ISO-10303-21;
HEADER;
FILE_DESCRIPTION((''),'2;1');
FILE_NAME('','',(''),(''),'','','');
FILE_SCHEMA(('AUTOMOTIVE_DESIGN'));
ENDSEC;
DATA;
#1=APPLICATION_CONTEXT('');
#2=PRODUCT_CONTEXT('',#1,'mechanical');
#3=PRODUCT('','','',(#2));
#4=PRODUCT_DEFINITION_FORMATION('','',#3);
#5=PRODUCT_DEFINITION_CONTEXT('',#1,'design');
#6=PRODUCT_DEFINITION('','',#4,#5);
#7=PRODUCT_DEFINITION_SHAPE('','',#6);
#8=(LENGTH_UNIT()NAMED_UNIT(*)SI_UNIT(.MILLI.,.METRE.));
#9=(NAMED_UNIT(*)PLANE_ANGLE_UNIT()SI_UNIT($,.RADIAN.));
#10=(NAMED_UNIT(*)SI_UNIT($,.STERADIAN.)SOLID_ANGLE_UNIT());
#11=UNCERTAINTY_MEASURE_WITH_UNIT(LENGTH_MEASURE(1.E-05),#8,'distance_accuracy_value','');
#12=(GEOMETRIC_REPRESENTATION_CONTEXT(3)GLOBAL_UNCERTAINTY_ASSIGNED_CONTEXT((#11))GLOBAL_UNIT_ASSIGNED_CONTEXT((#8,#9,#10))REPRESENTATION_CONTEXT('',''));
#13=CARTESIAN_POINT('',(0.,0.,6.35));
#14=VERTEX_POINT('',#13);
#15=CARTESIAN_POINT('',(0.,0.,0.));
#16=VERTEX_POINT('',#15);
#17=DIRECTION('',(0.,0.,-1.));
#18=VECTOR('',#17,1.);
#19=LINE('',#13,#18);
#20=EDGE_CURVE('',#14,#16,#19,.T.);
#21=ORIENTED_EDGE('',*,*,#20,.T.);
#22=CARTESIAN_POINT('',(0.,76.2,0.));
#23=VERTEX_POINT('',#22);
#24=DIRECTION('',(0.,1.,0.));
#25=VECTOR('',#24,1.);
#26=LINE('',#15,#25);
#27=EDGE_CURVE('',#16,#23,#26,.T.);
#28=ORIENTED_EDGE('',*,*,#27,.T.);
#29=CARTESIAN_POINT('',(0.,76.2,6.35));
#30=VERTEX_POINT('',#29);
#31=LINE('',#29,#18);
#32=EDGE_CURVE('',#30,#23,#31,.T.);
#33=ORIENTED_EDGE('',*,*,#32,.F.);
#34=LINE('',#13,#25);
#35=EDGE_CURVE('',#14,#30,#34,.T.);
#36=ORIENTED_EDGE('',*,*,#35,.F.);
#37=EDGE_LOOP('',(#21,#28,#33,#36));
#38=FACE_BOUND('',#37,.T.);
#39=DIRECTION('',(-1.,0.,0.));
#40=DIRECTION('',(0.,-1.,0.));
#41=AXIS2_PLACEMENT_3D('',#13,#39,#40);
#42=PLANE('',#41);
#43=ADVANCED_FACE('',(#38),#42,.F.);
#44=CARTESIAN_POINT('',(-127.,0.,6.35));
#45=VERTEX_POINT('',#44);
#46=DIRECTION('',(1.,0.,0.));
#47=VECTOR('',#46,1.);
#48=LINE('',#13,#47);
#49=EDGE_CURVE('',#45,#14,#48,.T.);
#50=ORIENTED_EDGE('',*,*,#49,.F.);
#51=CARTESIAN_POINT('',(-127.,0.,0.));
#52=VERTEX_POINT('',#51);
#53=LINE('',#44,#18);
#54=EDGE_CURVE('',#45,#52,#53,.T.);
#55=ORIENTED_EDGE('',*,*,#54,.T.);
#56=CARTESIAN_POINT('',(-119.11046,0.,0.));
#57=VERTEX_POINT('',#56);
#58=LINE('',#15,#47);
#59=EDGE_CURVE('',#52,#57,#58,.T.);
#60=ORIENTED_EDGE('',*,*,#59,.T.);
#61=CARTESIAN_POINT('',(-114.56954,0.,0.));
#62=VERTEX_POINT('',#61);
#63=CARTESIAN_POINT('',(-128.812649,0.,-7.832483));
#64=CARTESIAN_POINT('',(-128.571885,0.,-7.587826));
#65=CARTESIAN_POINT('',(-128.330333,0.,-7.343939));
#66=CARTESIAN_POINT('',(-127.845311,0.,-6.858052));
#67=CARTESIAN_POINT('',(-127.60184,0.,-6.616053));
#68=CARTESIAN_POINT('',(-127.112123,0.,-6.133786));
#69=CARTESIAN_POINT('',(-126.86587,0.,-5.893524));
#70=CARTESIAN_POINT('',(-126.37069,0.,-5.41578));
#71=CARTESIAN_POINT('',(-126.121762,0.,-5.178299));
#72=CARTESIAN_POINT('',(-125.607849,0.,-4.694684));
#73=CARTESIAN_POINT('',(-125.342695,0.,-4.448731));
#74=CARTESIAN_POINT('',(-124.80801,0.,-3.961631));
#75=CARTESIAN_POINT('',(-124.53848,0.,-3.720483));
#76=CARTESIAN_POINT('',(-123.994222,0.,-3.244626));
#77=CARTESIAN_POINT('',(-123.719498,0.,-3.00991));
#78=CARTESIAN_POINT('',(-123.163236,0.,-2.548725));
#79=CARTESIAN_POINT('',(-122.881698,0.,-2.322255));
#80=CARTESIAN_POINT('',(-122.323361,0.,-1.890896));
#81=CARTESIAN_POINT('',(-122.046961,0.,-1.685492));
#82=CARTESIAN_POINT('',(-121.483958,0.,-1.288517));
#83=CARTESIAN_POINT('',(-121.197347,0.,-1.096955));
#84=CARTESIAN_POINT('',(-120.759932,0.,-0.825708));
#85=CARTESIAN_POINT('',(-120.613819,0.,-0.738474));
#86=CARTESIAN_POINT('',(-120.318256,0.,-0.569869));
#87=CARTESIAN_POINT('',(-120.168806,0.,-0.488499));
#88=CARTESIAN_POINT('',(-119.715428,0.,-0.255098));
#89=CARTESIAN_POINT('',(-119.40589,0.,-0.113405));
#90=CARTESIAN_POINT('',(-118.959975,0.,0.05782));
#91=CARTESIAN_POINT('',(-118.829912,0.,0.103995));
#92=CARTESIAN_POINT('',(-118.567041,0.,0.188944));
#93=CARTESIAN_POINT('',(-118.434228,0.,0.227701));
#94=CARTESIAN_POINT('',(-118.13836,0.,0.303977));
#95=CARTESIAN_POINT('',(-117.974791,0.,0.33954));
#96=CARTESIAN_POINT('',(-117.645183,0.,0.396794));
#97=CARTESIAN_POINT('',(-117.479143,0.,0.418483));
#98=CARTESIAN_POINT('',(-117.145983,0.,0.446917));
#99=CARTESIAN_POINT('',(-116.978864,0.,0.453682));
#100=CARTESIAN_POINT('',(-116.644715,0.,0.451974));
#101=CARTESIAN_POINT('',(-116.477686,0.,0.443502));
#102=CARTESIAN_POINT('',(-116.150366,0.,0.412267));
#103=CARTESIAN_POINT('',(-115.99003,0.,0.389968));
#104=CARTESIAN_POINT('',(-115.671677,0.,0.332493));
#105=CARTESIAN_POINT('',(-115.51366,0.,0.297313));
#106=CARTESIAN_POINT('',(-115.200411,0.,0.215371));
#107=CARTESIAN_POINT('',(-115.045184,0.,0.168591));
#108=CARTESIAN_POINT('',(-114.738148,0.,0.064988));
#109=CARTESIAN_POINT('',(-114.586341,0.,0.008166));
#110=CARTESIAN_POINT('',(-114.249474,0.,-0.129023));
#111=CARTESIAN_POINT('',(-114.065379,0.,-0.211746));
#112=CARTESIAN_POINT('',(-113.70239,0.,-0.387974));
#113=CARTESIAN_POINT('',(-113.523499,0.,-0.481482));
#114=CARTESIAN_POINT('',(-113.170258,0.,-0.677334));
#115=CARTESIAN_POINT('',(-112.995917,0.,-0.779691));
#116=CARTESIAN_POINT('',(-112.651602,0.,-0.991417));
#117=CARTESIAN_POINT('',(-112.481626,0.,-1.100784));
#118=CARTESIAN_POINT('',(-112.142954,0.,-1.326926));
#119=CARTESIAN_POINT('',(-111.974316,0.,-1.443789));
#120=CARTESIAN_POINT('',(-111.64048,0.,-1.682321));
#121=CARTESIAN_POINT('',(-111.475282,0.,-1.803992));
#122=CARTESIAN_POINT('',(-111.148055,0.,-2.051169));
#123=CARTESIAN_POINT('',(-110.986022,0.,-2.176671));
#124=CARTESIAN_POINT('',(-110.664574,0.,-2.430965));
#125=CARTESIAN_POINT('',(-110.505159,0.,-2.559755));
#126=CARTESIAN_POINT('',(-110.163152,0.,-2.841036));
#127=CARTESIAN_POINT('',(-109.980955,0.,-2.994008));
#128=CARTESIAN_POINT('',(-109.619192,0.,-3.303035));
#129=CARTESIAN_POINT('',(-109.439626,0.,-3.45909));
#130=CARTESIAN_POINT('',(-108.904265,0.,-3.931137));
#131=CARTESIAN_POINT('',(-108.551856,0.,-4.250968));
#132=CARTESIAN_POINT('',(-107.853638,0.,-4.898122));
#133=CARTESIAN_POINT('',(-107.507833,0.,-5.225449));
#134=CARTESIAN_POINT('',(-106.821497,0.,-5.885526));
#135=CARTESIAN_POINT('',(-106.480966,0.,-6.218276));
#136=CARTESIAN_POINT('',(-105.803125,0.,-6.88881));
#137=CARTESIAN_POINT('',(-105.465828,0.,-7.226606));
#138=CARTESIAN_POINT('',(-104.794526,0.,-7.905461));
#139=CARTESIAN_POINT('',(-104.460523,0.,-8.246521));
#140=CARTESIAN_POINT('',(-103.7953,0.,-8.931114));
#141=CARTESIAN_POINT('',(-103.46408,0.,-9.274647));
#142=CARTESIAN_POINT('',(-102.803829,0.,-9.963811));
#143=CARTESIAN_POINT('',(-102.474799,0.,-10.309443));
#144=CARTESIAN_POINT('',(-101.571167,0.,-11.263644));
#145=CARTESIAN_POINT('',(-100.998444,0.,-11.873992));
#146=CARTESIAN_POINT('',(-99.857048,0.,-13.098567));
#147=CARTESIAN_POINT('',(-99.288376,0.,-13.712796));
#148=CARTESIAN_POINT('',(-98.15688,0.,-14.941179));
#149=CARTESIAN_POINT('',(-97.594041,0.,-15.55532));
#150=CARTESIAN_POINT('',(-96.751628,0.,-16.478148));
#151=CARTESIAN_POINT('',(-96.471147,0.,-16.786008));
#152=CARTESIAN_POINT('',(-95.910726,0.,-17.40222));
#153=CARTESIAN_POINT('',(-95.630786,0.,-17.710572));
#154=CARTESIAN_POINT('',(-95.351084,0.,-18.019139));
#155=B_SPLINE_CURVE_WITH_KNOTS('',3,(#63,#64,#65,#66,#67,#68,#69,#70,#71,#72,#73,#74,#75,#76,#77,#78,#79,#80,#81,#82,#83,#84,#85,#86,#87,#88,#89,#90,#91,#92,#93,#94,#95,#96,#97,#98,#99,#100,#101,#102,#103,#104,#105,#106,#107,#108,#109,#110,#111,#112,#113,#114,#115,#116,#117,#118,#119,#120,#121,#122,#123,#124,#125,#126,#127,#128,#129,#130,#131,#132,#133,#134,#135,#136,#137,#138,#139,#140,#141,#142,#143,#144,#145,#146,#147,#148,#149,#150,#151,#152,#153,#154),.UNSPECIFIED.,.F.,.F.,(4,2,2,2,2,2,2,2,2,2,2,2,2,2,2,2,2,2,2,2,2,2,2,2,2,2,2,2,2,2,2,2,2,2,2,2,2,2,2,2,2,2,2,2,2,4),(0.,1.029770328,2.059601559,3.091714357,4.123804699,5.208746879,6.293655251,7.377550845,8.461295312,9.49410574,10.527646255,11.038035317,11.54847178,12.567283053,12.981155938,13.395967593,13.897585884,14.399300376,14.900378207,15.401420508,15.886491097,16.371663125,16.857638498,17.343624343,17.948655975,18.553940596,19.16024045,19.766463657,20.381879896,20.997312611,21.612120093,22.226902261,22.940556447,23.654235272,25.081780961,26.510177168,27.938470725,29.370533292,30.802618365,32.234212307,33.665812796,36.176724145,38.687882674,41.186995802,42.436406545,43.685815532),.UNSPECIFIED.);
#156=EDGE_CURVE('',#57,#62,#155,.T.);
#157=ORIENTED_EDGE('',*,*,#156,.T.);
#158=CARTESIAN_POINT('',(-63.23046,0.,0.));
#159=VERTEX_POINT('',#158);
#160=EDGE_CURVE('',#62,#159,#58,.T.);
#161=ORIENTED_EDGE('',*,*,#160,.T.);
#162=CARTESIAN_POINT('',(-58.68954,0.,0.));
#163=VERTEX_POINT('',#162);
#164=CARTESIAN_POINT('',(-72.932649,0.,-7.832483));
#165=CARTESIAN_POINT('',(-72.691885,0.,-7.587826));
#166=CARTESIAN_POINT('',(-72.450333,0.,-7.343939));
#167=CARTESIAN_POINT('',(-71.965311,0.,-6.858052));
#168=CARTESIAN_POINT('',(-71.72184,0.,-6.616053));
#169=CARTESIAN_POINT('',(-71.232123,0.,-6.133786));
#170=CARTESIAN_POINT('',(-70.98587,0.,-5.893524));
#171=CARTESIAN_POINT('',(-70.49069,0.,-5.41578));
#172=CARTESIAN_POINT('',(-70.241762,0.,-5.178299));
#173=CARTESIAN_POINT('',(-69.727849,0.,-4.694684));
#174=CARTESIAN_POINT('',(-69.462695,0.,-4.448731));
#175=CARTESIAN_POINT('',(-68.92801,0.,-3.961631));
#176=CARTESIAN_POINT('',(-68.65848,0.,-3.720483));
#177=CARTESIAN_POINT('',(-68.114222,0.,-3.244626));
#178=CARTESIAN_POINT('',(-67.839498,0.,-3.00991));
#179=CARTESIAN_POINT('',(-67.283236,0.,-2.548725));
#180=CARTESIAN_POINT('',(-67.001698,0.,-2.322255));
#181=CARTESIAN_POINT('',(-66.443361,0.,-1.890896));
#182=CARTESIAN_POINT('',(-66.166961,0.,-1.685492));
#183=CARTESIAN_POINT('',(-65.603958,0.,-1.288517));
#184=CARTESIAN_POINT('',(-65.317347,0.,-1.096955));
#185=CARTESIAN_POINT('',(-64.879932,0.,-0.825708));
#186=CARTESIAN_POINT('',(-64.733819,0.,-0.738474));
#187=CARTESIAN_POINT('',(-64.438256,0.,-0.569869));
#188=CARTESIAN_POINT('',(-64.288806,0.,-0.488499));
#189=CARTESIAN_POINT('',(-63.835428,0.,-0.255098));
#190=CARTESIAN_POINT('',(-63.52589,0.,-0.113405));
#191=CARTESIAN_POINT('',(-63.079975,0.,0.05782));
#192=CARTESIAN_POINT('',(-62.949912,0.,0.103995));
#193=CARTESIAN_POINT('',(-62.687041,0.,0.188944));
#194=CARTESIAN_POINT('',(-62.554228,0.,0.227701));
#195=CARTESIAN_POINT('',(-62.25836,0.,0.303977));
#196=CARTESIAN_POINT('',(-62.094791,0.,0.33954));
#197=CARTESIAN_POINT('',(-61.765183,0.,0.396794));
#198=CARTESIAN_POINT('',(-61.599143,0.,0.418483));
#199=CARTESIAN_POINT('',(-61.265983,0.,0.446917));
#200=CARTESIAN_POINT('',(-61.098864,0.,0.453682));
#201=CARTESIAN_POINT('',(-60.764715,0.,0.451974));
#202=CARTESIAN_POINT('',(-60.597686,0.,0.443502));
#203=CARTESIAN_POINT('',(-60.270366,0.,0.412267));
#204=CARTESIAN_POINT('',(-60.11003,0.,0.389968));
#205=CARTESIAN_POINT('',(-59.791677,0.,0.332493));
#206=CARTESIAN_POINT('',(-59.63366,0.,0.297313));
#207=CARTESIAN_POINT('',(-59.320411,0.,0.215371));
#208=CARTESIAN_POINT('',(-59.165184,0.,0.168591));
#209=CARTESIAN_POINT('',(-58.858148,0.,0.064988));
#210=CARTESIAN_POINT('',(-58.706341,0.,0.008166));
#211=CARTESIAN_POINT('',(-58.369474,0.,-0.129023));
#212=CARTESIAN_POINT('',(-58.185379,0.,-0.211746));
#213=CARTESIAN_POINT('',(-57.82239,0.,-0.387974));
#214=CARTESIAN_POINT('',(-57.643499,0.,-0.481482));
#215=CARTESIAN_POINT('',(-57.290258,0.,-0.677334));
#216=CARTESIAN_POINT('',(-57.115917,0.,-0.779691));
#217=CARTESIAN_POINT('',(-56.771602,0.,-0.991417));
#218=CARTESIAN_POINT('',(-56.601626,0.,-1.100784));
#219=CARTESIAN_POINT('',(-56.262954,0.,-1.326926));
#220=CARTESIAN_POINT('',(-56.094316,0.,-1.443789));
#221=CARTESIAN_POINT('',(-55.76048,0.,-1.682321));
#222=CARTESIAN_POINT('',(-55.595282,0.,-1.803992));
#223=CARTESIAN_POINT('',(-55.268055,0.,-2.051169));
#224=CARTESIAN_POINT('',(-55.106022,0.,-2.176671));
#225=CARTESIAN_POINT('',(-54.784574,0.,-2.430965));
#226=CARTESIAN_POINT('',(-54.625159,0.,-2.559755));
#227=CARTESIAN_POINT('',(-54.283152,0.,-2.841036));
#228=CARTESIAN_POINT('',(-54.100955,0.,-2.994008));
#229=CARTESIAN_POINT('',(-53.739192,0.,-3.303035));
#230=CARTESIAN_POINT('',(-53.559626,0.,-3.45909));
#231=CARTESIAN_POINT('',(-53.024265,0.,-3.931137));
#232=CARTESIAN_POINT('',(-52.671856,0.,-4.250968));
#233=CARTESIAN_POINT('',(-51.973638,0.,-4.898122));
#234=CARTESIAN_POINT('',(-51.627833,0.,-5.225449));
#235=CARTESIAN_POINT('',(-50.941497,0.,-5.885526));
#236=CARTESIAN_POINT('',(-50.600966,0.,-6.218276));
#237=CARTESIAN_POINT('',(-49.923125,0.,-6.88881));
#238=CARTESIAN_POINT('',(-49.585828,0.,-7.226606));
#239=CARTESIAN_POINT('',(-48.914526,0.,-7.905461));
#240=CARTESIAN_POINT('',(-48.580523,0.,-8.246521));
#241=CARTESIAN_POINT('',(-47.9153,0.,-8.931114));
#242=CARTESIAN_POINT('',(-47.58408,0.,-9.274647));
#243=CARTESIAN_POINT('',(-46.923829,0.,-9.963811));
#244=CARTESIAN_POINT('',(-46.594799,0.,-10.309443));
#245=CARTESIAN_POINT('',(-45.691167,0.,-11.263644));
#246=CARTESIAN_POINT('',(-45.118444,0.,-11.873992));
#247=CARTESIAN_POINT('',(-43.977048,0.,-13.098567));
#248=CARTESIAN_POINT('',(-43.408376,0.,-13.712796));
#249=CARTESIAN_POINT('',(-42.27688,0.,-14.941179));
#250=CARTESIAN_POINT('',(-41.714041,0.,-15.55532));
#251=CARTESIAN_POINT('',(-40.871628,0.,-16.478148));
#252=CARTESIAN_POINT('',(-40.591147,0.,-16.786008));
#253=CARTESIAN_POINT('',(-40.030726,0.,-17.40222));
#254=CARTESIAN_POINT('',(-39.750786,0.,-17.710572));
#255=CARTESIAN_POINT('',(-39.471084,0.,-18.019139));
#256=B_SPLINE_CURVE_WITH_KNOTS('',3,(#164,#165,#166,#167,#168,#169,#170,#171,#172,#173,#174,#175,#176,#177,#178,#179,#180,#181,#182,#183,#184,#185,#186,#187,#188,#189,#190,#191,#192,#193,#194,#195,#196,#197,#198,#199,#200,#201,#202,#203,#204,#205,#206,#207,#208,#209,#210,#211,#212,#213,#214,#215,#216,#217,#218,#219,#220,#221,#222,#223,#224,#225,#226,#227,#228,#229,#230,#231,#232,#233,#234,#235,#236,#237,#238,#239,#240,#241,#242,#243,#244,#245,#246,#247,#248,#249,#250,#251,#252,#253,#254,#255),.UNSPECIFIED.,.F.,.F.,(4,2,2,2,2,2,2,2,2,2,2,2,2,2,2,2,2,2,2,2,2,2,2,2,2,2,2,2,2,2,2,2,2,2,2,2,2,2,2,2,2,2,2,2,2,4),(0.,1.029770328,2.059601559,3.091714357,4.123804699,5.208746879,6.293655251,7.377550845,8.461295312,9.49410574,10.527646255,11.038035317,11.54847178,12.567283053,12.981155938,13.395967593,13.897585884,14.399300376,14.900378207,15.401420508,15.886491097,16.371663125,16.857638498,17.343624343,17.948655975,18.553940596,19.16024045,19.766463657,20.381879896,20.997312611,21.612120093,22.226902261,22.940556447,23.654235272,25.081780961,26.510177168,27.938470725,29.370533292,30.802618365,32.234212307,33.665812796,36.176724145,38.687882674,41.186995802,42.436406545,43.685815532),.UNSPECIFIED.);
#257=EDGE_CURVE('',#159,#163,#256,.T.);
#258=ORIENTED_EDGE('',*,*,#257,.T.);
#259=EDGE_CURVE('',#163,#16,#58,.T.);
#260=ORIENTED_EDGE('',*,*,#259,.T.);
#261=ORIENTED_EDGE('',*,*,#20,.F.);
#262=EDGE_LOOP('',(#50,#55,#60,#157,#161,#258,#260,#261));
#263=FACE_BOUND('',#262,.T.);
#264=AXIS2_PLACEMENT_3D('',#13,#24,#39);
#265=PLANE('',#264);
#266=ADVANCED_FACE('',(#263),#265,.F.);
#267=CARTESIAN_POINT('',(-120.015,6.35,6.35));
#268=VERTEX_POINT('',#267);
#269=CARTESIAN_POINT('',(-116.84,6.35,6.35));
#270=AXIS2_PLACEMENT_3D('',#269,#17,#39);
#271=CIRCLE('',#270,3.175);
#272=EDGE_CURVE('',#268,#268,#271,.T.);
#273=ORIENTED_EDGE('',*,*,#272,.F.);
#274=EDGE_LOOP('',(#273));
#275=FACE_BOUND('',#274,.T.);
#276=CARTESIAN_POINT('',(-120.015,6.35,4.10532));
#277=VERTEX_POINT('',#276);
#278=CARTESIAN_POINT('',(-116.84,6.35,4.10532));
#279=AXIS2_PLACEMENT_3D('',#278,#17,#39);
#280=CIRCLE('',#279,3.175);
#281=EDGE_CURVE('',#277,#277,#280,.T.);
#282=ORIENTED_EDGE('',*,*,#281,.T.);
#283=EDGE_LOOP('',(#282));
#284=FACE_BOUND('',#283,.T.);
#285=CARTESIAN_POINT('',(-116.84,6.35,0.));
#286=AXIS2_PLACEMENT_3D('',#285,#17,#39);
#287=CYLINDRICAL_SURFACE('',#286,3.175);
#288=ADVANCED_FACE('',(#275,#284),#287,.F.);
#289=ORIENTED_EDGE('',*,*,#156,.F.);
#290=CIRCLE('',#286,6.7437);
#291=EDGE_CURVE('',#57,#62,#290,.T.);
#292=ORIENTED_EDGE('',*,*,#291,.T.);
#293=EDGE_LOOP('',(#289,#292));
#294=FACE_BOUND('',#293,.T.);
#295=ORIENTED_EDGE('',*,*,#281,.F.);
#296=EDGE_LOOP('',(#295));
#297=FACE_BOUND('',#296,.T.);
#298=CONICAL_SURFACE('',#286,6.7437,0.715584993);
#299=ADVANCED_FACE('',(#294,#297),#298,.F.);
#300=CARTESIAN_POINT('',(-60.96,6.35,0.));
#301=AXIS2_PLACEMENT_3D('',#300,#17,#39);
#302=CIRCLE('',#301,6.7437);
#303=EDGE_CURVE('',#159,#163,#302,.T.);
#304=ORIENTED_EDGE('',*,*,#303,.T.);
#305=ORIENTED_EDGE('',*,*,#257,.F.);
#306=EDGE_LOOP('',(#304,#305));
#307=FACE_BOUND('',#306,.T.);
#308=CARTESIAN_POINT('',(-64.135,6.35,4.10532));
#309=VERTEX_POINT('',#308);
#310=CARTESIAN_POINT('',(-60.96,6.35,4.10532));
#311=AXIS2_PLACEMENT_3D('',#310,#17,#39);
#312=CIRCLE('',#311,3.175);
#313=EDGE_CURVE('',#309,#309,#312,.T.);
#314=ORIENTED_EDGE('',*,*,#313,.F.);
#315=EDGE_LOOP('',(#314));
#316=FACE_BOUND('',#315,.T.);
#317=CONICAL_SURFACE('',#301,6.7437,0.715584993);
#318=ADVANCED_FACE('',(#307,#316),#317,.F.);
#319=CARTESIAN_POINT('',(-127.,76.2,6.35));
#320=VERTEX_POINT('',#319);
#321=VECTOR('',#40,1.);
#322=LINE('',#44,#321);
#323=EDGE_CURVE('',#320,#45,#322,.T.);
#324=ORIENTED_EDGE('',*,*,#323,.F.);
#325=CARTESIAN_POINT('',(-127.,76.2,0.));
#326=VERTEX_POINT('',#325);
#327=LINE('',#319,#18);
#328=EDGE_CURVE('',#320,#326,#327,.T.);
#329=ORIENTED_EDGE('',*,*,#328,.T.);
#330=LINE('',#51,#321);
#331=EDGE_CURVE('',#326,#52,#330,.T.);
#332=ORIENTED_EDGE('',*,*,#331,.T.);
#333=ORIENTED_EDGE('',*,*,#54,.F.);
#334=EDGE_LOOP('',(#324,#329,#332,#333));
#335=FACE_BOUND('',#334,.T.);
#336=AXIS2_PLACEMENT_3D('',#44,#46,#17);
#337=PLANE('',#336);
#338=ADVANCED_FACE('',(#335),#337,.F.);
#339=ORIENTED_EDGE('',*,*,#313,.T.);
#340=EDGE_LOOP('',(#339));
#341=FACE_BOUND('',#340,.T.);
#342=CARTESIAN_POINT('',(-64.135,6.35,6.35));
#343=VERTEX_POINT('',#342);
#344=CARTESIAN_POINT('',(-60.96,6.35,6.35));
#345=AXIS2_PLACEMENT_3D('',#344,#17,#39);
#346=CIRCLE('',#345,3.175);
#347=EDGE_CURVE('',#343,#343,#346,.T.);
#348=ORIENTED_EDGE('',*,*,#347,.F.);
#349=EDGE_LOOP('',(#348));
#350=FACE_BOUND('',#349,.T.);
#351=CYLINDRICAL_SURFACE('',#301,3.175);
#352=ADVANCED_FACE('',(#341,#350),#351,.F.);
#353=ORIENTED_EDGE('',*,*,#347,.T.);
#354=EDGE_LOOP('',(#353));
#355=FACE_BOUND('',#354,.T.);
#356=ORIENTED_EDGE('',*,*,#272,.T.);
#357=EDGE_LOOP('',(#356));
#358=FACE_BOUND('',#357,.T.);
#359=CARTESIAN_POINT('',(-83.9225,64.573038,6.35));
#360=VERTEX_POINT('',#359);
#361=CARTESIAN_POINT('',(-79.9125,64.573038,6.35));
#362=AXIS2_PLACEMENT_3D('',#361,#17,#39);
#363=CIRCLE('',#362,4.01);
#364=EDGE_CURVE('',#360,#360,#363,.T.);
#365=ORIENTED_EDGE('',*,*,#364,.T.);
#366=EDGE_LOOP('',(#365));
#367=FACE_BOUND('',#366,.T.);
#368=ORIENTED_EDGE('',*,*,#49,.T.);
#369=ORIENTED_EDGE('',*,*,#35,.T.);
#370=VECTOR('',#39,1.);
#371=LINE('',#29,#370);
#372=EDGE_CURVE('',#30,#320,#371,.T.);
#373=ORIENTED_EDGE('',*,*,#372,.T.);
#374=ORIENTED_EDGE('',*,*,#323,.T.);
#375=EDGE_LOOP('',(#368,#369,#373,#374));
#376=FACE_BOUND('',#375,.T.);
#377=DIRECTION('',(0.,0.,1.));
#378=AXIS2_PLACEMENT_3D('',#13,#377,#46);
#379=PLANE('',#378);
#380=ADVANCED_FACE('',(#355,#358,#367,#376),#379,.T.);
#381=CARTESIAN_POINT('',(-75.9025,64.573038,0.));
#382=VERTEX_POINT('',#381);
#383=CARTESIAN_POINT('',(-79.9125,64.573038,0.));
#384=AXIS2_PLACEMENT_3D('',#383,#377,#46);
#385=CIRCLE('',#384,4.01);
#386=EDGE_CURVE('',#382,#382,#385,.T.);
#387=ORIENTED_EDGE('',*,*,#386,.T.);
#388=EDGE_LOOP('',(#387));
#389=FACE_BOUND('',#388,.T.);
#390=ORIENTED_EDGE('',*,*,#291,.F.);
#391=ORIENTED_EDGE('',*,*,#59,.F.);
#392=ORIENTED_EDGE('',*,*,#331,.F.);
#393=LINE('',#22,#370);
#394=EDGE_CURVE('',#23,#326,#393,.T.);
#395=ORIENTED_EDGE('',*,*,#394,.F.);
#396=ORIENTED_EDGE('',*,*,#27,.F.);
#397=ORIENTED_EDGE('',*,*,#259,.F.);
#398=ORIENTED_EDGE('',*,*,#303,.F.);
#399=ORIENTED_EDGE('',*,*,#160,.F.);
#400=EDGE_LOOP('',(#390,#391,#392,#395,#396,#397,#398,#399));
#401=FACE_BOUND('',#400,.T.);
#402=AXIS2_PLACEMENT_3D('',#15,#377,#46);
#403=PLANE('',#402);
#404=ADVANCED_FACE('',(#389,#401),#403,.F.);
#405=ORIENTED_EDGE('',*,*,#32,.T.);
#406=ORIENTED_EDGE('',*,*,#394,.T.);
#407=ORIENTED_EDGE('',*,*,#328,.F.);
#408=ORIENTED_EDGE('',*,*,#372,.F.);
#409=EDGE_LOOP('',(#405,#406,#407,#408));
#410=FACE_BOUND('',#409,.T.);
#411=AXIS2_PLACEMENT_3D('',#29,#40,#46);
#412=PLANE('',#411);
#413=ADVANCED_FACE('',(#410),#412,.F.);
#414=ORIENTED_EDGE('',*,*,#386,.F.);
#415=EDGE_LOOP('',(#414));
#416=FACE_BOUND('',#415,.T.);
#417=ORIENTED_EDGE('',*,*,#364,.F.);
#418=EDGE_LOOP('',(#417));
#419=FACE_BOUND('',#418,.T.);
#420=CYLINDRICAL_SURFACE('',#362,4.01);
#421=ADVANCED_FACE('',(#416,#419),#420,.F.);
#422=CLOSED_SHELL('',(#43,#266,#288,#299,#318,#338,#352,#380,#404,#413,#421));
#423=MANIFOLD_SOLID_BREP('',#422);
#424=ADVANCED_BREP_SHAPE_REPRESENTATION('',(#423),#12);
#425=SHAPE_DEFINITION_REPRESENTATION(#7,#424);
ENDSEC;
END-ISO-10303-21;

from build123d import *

# Parameters (mm, degrees)
SKETCH1_W                            = 127
SKETCH1_H                            = 76.2
BOSS_EXTRUDE1_DEPTH                  = 6.35
CUT_EXTRUDE1_DEPTH                   = 149.24224263
CUT_EXTRUDE1_DEPTH_BACK              = 149.24224263
SKETCH4_R                            = 4.01
F_1_4_0_25_DIAMETER_HOLE1_AT_2_COUNT = 2
F_1_4_0_25_DIAMETER_HOLE1_AT_2_PITCH = 55.88


with BuildPart() as part:
    # Sketch1 → Boss-Extrude1 (new body)
    with BuildSketch(Plane.XY):
        with Locations((-63.5, 38.1)):
            Rectangle(SKETCH1_W, SKETCH1_H)
    extrude(amount=BOSS_EXTRUDE1_DEPTH)

    # Sketch4 → Cut-Extrude1 (cut, two sides: drawn at the far end of the back side and taken through both)
    with BuildSketch(Plane(origin=(0, 0, 0), x_dir=(-1, 0, 0), z_dir=(0, 0, -1)).offset(-CUT_EXTRUDE1_DEPTH_BACK)):
        with Locations((79.912500047, 64.573038165)):
            Circle(SKETCH4_R)
    extrude(amount=CUT_EXTRUDE1_DEPTH + CUT_EXTRUDE1_DEPTH_BACK, mode=Mode.SUBTRACT)

    # Sketch8 → 1/4 (0.25) Diameter Hole1 (revolve, cut)
    with BuildSketch(Plane(origin=(-116.84, 6.35, 0), x_dir=(0, 1, 0), z_dir=(1, 0, 0))):
        Polygon((0, 0), (0, 6.35), (3.175, 6.35), (3.175, 4.105319735), (6.7437, 0), align=None)
    f_1_4_0_25_diameter_hole1 = revolve(axis=Axis((-116.84, 6.35, -6.35), (0, 0, 1)), mode=Mode.SUBTRACT)

    # 1/4 (0.25) Diameter Hole1 at 2: 1/4 (0.25) Diameter Hole1 ×2
    with Locations(*[(i * F_1_4_0_25_DIAMETER_HOLE1_AT_2_PITCH, 0, 0) for i in range(1, F_1_4_0_25_DIAMETER_HOLE1_AT_2_COUNT)]):
        add(f_1_4_0_25_diameter_hole1, mode=Mode.SUBTRACT)


solid = part.part
